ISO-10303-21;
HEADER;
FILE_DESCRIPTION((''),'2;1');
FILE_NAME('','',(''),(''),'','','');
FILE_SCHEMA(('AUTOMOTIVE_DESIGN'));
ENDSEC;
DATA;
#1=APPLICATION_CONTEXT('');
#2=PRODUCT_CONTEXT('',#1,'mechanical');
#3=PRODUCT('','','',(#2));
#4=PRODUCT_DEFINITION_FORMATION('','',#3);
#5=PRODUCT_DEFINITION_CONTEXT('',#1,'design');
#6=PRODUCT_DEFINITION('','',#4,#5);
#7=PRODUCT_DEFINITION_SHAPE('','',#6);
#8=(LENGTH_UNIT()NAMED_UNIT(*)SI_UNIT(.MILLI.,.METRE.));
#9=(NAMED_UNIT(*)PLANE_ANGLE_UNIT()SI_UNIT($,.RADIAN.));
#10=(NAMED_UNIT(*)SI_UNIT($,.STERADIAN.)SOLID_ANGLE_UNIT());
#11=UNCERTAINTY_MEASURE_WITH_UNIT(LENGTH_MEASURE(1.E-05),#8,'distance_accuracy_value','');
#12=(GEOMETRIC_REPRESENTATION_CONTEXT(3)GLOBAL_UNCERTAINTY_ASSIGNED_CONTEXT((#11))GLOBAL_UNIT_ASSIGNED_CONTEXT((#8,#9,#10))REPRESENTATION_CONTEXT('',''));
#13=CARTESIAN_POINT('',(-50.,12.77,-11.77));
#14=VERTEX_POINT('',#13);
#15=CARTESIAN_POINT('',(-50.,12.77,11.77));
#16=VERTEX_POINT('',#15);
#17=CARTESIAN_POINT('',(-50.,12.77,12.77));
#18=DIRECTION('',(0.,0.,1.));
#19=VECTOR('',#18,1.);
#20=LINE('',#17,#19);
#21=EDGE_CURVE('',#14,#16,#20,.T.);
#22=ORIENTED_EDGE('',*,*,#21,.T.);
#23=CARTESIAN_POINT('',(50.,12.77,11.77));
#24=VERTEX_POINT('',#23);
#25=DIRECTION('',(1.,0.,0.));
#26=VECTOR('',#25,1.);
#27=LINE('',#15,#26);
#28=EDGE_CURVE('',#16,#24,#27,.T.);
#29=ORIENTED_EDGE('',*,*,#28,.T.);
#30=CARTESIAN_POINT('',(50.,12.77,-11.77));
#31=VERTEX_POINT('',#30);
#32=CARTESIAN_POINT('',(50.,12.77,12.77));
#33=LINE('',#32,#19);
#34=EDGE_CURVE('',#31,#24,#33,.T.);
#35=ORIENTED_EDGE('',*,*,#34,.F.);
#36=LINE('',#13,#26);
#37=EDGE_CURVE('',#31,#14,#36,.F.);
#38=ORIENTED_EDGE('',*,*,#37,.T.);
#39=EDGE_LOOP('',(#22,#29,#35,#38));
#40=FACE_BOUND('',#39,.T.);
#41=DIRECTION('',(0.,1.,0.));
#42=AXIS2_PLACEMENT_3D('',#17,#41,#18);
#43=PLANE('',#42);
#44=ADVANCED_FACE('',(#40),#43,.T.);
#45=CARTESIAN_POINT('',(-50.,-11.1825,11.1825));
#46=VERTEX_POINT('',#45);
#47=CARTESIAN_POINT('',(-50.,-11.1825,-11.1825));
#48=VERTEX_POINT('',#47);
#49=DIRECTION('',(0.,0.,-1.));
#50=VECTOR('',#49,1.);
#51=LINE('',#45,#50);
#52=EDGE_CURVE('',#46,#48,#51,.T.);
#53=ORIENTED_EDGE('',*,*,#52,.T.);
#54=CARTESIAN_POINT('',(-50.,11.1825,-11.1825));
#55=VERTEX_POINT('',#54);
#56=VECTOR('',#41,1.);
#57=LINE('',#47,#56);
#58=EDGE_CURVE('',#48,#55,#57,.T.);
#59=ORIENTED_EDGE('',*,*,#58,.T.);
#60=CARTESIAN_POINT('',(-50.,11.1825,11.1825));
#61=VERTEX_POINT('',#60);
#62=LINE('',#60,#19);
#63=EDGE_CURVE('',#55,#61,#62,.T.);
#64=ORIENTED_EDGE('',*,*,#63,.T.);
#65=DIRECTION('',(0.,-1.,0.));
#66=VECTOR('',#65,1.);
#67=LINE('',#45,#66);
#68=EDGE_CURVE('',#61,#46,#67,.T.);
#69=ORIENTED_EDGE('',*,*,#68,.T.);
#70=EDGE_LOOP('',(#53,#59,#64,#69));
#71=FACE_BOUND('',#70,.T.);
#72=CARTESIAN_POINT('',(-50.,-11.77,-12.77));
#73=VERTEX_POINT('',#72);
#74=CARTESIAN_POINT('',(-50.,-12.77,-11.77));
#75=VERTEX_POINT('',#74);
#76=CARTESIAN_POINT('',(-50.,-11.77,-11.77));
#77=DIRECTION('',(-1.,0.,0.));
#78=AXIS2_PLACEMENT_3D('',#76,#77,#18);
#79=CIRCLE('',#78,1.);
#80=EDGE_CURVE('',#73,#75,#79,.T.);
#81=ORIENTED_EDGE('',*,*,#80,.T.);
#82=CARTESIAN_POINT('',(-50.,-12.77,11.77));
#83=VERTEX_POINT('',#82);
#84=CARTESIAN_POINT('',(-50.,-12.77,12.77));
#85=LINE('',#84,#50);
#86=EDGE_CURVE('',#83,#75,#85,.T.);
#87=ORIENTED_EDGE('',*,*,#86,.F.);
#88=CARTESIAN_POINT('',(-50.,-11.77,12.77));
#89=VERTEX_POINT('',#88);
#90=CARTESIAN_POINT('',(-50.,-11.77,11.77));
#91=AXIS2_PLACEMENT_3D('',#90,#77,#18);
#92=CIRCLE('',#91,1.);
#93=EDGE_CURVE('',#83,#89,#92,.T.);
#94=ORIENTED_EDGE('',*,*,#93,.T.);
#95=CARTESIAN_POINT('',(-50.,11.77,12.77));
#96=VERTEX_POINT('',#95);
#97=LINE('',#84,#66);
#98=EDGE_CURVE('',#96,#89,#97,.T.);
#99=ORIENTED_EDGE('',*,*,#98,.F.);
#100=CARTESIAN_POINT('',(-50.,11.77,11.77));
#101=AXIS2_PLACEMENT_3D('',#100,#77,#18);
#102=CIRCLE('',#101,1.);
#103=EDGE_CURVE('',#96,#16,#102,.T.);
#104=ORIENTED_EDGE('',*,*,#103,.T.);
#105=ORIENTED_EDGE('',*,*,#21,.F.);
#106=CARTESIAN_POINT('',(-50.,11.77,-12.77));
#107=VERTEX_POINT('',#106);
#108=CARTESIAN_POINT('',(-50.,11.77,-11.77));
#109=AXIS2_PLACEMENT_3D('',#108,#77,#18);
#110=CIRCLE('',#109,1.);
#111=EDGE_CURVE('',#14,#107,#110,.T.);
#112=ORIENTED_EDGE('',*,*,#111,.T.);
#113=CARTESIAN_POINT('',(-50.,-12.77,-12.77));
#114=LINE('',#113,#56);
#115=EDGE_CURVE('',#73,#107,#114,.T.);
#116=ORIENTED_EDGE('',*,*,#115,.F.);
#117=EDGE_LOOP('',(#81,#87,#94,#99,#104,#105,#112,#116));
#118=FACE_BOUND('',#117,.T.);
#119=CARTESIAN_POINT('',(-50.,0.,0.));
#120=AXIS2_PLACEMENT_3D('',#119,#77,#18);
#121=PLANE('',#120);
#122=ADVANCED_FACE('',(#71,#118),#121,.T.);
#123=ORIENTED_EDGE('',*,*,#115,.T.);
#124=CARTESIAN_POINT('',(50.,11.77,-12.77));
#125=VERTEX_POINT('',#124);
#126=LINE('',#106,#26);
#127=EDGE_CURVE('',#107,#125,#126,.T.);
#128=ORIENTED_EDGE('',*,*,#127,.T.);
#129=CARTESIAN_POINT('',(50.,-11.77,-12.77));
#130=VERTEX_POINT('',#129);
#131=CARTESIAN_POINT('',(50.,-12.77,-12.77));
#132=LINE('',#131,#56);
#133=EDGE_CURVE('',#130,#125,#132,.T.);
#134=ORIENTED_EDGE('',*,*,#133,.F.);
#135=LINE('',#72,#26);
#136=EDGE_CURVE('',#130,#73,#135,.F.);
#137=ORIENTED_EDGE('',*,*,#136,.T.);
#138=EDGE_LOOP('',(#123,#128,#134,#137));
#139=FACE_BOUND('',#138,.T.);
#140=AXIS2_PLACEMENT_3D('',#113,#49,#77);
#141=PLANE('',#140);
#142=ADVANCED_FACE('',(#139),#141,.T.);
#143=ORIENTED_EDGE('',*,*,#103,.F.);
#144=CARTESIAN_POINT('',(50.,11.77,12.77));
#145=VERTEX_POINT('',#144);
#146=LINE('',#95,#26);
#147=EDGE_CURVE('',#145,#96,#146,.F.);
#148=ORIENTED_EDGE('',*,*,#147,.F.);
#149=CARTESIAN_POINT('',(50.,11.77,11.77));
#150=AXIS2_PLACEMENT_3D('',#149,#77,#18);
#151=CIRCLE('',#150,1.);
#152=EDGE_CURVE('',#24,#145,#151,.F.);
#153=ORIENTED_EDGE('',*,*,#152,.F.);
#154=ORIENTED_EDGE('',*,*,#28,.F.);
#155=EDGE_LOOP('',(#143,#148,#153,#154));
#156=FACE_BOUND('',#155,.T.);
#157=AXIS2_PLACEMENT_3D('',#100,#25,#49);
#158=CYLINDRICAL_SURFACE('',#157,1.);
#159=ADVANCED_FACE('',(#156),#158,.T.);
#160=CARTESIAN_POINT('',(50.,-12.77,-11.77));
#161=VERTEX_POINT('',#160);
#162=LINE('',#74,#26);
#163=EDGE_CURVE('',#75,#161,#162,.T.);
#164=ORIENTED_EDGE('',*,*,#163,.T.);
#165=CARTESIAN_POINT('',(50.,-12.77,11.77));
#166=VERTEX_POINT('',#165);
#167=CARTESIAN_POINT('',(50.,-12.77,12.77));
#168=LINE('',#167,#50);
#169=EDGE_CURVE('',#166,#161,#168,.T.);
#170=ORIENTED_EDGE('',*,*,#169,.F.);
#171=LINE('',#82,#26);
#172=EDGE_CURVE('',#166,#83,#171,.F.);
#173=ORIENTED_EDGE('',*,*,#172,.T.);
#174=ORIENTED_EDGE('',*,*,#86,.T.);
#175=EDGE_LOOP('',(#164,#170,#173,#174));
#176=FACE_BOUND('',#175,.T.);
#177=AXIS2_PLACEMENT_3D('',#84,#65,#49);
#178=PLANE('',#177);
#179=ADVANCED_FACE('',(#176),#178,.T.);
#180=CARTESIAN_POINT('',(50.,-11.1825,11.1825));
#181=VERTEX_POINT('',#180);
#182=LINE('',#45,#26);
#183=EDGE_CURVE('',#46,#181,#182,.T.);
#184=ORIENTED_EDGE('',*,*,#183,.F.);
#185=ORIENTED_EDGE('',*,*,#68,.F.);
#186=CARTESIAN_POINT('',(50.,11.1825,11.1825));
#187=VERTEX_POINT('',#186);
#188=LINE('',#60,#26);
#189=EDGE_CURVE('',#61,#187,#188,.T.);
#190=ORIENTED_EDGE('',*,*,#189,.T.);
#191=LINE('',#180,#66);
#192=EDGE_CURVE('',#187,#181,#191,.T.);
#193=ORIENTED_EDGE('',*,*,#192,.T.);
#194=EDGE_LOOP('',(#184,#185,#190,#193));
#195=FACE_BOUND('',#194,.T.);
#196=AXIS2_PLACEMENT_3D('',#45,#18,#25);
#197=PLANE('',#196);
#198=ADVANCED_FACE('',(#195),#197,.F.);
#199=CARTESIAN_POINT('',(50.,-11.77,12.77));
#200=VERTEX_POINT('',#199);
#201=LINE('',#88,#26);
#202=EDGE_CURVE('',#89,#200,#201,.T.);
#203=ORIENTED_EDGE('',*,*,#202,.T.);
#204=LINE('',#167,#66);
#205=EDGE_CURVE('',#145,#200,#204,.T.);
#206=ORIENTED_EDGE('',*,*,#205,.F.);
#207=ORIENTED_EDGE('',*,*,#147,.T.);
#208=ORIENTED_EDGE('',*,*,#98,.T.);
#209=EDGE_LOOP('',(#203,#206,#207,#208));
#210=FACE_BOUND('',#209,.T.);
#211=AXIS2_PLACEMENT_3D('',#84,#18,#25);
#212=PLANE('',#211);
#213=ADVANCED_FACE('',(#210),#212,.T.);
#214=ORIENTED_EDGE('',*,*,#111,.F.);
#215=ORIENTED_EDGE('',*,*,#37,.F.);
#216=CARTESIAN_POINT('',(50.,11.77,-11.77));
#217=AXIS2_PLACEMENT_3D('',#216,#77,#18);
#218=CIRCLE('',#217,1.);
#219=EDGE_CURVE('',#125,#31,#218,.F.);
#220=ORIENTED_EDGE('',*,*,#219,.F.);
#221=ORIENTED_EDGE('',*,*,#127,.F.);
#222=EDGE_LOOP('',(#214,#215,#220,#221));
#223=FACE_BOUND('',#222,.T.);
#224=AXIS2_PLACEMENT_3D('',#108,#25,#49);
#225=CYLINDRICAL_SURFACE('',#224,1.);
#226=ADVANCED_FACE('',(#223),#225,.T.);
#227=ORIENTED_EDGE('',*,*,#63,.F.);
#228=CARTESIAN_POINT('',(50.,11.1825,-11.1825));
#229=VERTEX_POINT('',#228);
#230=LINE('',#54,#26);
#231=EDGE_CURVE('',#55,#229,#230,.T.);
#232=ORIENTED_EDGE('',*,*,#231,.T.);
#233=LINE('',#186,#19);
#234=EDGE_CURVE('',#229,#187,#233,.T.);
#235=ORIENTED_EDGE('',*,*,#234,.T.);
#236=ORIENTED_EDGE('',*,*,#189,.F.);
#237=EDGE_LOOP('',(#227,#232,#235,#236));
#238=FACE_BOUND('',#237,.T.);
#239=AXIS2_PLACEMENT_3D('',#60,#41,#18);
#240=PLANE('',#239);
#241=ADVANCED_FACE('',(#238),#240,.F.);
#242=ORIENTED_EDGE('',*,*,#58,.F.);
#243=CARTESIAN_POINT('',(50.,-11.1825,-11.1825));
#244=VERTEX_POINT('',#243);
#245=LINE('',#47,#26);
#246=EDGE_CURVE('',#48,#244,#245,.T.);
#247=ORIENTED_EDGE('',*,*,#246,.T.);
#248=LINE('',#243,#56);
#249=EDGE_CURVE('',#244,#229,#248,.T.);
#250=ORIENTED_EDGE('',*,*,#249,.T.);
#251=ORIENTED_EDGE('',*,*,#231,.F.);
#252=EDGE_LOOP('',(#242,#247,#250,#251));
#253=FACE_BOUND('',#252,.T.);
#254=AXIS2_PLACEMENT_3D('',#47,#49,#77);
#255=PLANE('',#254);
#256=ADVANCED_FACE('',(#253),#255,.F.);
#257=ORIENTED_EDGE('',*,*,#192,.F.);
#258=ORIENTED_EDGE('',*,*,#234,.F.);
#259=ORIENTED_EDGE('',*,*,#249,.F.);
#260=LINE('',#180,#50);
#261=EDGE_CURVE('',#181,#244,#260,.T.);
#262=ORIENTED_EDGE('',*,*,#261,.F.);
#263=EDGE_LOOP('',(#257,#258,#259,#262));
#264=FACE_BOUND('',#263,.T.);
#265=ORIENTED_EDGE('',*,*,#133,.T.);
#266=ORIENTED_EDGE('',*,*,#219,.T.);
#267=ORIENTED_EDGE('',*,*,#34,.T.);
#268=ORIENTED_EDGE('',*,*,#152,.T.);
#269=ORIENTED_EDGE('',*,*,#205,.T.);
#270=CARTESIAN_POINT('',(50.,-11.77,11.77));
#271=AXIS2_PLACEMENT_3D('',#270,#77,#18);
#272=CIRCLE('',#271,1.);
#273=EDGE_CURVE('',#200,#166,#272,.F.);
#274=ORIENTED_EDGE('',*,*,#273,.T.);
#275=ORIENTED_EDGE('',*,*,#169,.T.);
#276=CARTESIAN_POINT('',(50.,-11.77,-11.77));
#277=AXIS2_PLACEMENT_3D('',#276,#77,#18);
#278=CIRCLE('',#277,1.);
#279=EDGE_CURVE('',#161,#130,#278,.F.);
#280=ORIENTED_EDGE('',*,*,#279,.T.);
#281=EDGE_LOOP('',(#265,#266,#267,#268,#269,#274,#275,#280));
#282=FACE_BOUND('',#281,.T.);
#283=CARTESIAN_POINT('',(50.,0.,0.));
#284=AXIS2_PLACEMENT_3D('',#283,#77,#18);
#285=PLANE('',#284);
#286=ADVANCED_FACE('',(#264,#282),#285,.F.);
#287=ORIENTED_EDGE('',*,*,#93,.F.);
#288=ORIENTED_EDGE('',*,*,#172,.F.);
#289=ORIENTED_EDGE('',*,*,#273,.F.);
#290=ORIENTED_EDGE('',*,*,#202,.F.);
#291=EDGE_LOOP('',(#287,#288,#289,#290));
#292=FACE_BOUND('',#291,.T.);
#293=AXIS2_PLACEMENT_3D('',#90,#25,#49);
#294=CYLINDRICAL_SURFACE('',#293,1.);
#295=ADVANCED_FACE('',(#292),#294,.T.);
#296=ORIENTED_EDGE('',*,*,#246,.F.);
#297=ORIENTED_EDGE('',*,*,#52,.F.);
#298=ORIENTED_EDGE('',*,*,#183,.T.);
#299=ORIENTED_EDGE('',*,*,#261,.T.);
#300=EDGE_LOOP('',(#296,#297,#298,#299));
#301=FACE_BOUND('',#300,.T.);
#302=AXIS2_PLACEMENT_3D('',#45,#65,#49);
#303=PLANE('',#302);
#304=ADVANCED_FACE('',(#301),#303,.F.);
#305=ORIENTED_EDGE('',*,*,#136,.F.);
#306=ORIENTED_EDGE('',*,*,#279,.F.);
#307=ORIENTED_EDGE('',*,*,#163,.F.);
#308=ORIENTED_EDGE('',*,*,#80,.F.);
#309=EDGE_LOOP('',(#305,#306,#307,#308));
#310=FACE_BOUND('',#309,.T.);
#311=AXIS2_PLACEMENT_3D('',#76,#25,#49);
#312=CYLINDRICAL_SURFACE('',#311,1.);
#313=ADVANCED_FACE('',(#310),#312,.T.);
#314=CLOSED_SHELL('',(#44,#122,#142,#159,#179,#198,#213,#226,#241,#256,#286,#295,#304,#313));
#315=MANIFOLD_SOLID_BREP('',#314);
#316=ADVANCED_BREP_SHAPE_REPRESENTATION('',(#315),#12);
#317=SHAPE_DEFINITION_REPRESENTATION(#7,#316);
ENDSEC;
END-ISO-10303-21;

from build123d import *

# Parameters (mm, degrees)
SKETCH2_W                = 25.54
SKETCH2_H                = 25.54
SKETCH2_W_2              = 22.365
SKETCH2_H_2              = 22.365
BOSS_EXTRUDE1_DEPTH      = 50
BOSS_EXTRUDE1_DEPTH_BACK = 50
FILLET1_R                = 1


with BuildPart() as part:
    # Sketch2 → Boss-Extrude1 (new body, two sides)
    with BuildSketch(Plane(origin=(0, 0, 0), x_dir=(0, 0, -1), z_dir=(1, 0, 0))) as boss_extrude1_sk:
        Rectangle(SKETCH2_W, SKETCH2_H)
        Rectangle(SKETCH2_W_2, SKETCH2_H_2, mode=Mode.SUBTRACT)
    extrude(amount=BOSS_EXTRUDE1_DEPTH)
    extrude(boss_extrude1_sk.sketch, amount=-BOSS_EXTRUDE1_DEPTH_BACK)

    # Fillet1
    fillet1_edges = [part.edges().sort_by_distance(p)[0] for p in [
        (0, -12.77, -12.77),
        (0, -12.77, 12.77),
        (0, 12.77, 12.77),
        (0, 12.77, -12.77),
    ]]
    fillet(fillet1_edges, radius=FILLET1_R)


solid = part.part
